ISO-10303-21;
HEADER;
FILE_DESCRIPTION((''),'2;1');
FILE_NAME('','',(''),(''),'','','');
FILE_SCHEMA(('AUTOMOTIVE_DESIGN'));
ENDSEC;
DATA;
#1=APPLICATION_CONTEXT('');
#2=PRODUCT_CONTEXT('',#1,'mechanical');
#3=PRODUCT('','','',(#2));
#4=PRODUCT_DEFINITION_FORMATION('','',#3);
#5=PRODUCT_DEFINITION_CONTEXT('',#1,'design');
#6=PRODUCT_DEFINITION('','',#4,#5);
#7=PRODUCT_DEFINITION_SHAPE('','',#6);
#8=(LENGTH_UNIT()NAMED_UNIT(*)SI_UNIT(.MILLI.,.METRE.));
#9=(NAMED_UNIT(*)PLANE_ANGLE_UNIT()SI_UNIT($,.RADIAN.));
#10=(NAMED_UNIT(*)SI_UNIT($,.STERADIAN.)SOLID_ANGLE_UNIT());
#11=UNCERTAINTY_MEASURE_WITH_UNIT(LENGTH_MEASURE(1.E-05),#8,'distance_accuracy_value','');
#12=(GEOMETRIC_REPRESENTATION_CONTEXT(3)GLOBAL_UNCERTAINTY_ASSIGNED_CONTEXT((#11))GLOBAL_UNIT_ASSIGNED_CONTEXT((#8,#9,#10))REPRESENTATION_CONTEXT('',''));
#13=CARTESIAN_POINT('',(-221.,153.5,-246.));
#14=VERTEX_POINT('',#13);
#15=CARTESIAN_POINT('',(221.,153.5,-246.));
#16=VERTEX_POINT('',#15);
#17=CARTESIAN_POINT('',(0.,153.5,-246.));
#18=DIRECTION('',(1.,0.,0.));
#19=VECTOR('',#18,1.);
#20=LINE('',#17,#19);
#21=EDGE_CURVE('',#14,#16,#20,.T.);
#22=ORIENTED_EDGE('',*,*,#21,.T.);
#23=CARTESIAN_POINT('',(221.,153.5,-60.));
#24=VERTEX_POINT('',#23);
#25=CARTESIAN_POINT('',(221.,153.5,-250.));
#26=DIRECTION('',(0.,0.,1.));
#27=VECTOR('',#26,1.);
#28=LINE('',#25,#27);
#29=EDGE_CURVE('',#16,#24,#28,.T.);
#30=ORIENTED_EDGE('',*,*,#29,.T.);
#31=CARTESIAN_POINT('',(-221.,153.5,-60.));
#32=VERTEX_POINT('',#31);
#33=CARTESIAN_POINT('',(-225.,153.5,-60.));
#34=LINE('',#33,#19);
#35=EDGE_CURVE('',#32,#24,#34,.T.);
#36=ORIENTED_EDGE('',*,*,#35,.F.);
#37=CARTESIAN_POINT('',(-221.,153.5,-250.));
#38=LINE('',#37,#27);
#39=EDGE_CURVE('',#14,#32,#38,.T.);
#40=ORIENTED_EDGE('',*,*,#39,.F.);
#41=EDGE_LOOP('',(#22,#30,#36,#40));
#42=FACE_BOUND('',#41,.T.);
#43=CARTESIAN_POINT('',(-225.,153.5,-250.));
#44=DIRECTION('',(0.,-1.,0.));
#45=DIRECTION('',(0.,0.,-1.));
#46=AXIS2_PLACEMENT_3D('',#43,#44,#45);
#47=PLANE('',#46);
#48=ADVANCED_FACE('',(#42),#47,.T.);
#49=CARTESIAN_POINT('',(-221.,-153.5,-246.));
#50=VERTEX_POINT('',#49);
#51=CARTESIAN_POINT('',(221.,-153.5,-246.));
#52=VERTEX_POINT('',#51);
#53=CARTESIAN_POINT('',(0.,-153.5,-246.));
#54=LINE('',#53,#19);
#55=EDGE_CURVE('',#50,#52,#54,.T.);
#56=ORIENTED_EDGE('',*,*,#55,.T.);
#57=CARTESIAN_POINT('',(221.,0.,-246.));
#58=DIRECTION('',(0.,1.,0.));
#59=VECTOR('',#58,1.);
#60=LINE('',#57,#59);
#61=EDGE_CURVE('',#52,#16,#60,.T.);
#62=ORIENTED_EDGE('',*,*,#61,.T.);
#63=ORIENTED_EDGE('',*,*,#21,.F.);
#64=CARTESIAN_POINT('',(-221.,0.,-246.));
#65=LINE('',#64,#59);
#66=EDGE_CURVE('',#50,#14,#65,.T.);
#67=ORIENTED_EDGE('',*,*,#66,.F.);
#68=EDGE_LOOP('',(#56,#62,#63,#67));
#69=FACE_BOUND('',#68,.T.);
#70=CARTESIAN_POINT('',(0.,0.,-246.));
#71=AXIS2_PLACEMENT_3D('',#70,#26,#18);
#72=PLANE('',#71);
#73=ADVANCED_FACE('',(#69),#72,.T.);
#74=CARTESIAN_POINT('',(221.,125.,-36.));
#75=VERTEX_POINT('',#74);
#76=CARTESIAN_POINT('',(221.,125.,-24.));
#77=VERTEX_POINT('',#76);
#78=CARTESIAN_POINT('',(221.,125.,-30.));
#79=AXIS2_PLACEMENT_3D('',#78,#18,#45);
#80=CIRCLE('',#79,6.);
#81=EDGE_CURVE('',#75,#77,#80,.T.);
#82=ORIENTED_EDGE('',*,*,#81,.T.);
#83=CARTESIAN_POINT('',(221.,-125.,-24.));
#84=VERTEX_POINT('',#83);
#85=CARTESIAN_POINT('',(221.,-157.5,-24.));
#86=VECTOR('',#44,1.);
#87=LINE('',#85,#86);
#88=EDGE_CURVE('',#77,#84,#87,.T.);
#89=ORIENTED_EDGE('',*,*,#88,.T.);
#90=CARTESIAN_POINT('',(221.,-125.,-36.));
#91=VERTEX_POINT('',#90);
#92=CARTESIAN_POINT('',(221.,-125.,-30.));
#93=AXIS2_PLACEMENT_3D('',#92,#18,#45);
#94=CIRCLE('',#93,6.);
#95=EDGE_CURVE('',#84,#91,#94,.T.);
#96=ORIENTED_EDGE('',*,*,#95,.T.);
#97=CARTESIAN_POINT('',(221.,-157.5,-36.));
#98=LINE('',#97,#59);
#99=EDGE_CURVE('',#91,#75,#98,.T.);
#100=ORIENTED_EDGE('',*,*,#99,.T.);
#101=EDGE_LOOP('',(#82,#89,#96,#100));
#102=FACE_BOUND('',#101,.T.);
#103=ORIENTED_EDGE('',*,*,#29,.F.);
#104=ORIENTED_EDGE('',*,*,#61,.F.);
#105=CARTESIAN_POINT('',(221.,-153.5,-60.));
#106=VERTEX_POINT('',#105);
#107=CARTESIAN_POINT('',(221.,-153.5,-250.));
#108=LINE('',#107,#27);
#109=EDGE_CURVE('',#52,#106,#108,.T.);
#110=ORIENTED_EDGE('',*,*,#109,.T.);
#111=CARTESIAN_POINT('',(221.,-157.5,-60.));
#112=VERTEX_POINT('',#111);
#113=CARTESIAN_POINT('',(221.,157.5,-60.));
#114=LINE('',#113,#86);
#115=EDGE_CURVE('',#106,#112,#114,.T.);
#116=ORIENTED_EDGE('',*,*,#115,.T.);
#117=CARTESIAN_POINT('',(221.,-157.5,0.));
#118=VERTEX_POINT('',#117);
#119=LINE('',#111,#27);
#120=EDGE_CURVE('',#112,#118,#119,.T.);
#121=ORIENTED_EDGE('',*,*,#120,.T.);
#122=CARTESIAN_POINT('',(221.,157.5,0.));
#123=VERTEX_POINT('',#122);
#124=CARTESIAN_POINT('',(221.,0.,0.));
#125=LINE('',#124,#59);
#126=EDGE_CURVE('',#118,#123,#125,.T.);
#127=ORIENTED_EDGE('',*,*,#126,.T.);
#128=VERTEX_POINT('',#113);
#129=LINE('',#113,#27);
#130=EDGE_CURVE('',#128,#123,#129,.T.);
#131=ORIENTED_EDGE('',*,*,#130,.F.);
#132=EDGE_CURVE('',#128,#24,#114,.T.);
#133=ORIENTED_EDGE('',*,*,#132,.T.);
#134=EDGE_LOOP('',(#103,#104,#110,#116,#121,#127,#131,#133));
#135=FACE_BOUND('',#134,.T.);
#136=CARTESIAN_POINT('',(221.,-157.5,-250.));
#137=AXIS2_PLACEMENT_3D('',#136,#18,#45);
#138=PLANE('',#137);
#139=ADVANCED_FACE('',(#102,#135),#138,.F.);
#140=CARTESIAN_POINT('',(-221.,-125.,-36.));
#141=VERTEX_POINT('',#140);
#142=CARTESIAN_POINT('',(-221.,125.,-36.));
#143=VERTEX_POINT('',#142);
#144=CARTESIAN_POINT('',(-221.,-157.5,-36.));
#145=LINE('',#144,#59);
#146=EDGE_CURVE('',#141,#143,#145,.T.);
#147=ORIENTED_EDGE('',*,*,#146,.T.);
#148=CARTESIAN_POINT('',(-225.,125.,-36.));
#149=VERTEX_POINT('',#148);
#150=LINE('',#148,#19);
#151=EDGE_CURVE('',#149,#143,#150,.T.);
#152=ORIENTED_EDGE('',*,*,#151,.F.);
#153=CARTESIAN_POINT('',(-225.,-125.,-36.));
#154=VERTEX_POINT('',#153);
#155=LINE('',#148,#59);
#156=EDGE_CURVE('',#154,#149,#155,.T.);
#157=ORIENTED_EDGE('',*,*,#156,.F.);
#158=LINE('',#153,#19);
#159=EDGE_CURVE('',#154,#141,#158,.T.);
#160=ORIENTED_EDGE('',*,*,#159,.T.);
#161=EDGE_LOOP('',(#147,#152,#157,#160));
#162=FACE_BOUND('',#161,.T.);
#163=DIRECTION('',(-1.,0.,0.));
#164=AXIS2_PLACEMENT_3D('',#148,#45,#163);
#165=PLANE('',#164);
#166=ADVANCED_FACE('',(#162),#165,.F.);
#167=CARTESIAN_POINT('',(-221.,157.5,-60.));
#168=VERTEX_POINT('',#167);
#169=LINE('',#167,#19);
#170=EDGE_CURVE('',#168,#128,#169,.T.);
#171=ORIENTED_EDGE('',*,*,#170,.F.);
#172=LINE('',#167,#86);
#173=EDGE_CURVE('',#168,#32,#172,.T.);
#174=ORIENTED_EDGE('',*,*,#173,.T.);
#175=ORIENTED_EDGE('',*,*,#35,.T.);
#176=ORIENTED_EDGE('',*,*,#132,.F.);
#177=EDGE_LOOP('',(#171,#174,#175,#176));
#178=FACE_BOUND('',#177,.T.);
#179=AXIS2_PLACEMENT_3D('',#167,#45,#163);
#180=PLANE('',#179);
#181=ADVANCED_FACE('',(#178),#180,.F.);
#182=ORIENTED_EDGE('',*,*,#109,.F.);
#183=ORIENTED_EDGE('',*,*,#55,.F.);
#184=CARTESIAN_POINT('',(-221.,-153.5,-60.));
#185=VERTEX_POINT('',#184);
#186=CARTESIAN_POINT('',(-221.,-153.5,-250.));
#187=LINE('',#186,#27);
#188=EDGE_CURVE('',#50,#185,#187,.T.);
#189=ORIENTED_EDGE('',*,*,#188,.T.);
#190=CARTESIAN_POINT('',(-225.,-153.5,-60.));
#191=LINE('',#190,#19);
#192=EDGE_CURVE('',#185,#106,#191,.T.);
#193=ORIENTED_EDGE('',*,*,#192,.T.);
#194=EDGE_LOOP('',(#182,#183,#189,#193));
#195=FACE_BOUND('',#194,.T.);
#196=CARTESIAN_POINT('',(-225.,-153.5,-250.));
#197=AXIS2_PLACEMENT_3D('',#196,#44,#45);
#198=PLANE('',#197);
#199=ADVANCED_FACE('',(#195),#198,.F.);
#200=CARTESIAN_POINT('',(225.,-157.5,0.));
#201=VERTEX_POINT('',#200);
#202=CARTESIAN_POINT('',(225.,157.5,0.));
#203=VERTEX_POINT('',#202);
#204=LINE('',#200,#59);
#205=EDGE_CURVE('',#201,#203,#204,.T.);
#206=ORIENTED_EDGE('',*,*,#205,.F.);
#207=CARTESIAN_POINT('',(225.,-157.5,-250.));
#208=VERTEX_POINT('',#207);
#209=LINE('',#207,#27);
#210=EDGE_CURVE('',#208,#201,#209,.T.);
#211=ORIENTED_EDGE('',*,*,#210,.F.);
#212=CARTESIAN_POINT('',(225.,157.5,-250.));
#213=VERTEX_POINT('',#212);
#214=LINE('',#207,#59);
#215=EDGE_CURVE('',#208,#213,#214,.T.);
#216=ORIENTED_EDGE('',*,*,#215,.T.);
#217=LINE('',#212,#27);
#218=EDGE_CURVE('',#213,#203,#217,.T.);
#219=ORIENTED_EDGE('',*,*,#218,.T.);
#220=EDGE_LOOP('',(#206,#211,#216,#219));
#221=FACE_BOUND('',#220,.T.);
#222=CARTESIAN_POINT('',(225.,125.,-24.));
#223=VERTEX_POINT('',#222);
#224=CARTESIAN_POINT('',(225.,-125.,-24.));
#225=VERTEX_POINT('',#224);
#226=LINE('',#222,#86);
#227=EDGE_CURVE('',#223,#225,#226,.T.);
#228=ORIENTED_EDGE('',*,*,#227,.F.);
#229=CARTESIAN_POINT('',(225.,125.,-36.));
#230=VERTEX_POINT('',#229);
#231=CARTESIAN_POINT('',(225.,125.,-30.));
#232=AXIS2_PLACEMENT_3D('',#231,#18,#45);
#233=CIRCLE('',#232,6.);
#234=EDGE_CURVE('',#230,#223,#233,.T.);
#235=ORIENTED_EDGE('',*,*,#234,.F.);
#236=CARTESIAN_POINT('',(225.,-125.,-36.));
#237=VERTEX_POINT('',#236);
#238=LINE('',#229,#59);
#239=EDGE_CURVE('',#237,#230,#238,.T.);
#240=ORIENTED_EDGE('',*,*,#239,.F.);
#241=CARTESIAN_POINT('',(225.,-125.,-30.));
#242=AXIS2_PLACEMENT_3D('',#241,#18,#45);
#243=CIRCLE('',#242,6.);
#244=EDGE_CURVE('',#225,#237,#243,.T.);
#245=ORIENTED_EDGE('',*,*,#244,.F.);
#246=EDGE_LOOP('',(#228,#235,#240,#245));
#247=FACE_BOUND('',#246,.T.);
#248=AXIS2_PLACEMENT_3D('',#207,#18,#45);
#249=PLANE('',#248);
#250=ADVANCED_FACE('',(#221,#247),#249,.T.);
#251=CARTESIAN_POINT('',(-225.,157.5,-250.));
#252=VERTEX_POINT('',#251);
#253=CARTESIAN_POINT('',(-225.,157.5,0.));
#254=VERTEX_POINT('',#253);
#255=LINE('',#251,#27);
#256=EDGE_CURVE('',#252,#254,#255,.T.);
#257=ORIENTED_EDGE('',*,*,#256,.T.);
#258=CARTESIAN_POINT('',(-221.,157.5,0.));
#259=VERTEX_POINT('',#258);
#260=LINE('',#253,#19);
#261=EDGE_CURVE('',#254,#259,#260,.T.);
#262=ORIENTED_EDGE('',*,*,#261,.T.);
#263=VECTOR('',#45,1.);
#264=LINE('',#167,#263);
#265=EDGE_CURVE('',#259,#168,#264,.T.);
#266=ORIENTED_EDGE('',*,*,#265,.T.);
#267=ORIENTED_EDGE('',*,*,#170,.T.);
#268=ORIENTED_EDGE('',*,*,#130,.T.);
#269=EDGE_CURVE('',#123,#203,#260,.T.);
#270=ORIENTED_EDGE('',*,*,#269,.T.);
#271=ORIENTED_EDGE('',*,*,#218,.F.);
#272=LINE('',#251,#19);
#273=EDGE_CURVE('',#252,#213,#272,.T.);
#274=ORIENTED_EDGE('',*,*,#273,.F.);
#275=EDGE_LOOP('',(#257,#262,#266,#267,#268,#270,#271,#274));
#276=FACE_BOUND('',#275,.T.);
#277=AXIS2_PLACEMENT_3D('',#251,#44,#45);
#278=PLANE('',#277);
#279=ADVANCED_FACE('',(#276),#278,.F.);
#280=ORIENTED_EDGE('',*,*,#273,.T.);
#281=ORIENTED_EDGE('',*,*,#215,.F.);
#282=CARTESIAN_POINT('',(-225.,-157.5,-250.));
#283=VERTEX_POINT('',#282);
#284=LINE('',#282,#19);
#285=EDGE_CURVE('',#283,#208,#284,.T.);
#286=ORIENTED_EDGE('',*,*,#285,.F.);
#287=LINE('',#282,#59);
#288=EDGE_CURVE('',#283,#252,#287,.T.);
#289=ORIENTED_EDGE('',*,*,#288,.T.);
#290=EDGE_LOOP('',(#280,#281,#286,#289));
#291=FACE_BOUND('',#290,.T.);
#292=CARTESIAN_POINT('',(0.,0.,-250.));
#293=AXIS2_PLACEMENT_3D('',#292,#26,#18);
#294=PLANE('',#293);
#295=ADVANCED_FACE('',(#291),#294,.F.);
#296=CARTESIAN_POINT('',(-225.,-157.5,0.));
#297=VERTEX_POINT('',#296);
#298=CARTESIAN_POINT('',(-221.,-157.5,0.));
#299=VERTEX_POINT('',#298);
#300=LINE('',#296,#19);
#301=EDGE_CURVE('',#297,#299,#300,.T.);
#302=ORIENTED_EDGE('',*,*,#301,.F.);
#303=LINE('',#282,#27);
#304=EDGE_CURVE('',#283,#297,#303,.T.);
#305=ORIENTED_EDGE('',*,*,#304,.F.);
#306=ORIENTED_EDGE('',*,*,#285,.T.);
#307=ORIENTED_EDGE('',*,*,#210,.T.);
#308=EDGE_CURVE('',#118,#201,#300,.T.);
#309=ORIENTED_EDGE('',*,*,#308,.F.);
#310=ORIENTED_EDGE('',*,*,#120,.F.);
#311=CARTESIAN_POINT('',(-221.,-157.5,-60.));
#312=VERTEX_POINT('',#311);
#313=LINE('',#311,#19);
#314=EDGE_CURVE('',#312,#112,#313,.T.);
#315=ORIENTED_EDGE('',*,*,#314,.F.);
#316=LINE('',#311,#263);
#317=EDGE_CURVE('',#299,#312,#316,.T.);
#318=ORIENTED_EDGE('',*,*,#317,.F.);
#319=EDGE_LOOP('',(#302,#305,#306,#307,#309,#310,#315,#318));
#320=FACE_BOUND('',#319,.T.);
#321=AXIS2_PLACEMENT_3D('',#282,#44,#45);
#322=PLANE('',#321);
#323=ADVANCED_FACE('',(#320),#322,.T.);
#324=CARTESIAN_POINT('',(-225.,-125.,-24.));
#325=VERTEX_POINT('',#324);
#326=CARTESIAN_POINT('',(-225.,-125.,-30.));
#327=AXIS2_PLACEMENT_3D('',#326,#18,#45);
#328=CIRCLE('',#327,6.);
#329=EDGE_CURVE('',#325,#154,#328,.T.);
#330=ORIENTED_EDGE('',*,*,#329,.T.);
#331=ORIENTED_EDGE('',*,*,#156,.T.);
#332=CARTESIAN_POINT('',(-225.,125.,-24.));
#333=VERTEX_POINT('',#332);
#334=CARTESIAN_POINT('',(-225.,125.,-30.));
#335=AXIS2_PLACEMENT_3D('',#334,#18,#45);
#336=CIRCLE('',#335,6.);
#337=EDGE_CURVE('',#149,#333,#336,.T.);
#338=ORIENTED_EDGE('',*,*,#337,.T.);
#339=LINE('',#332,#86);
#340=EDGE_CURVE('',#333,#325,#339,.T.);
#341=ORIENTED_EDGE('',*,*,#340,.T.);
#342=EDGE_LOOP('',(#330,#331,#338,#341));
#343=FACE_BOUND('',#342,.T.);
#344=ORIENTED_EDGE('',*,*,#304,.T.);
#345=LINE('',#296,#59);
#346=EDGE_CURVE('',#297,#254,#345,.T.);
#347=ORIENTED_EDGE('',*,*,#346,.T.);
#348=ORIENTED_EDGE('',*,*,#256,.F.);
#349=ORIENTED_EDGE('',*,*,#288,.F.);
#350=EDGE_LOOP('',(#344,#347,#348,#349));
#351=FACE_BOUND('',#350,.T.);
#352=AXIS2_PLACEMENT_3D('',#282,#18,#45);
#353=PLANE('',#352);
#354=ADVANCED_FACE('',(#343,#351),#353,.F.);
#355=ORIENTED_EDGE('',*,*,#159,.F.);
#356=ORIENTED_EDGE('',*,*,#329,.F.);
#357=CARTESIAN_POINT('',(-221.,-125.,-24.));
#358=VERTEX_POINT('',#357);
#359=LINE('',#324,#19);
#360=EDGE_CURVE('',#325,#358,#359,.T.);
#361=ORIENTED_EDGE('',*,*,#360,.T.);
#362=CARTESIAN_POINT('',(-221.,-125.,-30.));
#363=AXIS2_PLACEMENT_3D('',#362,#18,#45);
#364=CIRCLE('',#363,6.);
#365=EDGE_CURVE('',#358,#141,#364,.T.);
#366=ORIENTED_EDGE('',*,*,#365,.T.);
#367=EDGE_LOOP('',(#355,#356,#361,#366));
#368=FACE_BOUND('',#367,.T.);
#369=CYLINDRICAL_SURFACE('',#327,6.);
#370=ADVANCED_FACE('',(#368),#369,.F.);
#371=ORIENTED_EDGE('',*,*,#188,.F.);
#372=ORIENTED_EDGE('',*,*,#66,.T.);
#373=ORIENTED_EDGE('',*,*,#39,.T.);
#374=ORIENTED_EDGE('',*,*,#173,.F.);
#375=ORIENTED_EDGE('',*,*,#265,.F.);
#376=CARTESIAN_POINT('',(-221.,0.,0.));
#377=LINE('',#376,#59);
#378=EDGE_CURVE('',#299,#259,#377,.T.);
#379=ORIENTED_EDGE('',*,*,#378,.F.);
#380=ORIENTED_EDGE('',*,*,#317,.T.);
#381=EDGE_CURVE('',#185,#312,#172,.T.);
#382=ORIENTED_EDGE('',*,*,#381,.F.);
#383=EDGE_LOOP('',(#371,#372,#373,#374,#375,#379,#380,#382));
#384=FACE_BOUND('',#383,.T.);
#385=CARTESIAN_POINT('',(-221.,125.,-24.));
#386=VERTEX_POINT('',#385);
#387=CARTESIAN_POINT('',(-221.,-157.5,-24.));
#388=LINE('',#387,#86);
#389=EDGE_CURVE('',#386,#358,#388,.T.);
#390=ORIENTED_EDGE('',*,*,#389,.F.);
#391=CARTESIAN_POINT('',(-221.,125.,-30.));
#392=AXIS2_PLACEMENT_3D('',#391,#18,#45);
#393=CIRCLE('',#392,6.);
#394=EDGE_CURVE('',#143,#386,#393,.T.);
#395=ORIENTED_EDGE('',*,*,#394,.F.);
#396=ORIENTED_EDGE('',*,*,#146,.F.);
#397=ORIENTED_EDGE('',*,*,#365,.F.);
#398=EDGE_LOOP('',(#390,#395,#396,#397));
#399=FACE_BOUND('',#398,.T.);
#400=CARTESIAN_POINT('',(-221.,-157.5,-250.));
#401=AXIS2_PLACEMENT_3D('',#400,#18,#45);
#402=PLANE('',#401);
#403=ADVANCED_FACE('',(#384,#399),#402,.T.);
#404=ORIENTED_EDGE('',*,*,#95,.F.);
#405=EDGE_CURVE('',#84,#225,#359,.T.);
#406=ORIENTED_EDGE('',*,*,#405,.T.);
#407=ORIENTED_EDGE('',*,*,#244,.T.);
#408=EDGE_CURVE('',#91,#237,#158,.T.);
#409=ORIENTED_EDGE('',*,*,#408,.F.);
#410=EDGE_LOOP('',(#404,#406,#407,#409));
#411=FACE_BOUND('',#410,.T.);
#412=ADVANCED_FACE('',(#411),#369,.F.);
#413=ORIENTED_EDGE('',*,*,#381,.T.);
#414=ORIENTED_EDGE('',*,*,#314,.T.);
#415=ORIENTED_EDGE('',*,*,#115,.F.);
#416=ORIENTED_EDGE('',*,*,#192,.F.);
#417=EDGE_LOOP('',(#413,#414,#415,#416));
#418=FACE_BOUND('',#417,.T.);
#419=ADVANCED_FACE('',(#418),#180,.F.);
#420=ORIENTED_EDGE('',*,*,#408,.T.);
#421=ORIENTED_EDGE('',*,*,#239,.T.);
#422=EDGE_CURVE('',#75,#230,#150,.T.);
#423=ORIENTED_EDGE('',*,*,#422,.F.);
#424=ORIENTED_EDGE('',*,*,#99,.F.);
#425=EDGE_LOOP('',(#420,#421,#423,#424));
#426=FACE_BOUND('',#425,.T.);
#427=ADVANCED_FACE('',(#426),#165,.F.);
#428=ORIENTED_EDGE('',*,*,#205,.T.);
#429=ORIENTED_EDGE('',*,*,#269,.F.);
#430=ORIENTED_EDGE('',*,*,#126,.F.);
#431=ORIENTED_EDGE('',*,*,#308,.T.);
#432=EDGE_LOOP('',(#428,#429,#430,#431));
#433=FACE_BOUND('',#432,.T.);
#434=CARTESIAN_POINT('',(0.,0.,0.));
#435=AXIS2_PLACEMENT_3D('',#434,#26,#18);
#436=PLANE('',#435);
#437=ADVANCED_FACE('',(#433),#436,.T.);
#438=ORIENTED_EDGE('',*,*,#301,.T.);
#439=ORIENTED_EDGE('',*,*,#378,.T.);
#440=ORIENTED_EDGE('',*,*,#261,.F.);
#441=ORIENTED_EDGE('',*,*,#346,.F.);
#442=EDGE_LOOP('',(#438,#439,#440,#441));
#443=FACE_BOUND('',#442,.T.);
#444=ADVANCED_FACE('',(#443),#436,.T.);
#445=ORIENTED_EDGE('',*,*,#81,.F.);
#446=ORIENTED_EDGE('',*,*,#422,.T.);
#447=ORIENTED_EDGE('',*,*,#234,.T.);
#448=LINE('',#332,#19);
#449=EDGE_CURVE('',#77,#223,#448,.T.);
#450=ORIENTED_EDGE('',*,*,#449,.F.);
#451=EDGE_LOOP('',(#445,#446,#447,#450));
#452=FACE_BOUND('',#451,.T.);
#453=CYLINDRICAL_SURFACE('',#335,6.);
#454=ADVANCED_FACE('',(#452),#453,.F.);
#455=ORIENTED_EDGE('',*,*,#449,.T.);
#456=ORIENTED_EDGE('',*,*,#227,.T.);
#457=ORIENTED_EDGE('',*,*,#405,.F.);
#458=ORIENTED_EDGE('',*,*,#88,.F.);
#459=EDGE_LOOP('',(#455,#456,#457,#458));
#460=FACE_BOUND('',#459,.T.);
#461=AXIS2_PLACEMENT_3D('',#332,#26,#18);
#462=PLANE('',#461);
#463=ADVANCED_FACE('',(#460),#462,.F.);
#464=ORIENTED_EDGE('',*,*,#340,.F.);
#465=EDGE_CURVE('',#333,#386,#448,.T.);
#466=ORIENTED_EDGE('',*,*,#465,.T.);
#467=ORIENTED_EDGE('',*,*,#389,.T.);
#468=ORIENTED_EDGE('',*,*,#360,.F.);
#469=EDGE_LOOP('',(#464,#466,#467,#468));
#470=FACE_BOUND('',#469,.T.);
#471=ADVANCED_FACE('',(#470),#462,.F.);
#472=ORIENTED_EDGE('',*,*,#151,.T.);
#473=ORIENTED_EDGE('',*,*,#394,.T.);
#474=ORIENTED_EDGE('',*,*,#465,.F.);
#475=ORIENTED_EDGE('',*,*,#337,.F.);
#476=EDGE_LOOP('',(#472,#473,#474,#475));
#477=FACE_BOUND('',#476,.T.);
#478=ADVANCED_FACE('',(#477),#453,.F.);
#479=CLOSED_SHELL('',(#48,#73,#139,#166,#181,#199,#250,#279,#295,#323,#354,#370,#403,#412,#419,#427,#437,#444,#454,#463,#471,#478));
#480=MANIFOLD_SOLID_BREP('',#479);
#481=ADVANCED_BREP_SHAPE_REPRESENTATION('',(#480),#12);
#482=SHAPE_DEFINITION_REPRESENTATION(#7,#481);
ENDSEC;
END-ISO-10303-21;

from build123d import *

# Parameters (mm, degrees)
SKETCH_1_W          = 450
SKETCH_1_H          = 315
EXTRUDE_1_DEPTH     = 250
SHELL_3_T           = -4
SKETCH_4_W          = 442
SKETCH_4_H          = 60
CUT_EXTRUDE_1_DEPTH = 316
CUT_EXTRUDE_2_DEPTH = 451


with BuildPart() as part:
    # 草图1 → 凸台-拉伸1 (new body)
    with BuildSketch(Plane.XY):
        Rectangle(SKETCH_1_W, SKETCH_1_H)
    extrude(amount=-EXTRUDE_1_DEPTH)

    # 抽壳3
    shell_3_openings = [part.faces().sort_by_distance(p)[0] for p in [
        (0, 0, 0),
    ]]
    offset(amount=SHELL_3_T, openings=shell_3_openings, kind=Kind.INTERSECTION)

    # 草图4 → 切除-拉伸1 (cut, through all)
    with BuildSketch(Plane.XZ.offset(157.5)):
        with Locations((0, -30)):
            Rectangle(SKETCH_4_W, SKETCH_4_H)
    extrude(amount=-CUT_EXTRUDE_1_DEPTH, mode=Mode.SUBTRACT)

    # 草图5 → 切除-拉伸2 (cut, through all)
    with BuildSketch(Plane(origin=(225, 0, 0), x_dir=(0, 0, -1), z_dir=(1, 0, 0))):
        with BuildLine():
            Line((36, 125), (36, -125))
            ThreePointArc((36, -125), (30, -131), (24, -125))
            Line((24, -125), (24, 125))
            ThreePointArc((24, 125), (30, 131), (36, 125))
        make_face()
    extrude(amount=-CUT_EXTRUDE_2_DEPTH, mode=Mode.SUBTRACT)


solid = part.part
